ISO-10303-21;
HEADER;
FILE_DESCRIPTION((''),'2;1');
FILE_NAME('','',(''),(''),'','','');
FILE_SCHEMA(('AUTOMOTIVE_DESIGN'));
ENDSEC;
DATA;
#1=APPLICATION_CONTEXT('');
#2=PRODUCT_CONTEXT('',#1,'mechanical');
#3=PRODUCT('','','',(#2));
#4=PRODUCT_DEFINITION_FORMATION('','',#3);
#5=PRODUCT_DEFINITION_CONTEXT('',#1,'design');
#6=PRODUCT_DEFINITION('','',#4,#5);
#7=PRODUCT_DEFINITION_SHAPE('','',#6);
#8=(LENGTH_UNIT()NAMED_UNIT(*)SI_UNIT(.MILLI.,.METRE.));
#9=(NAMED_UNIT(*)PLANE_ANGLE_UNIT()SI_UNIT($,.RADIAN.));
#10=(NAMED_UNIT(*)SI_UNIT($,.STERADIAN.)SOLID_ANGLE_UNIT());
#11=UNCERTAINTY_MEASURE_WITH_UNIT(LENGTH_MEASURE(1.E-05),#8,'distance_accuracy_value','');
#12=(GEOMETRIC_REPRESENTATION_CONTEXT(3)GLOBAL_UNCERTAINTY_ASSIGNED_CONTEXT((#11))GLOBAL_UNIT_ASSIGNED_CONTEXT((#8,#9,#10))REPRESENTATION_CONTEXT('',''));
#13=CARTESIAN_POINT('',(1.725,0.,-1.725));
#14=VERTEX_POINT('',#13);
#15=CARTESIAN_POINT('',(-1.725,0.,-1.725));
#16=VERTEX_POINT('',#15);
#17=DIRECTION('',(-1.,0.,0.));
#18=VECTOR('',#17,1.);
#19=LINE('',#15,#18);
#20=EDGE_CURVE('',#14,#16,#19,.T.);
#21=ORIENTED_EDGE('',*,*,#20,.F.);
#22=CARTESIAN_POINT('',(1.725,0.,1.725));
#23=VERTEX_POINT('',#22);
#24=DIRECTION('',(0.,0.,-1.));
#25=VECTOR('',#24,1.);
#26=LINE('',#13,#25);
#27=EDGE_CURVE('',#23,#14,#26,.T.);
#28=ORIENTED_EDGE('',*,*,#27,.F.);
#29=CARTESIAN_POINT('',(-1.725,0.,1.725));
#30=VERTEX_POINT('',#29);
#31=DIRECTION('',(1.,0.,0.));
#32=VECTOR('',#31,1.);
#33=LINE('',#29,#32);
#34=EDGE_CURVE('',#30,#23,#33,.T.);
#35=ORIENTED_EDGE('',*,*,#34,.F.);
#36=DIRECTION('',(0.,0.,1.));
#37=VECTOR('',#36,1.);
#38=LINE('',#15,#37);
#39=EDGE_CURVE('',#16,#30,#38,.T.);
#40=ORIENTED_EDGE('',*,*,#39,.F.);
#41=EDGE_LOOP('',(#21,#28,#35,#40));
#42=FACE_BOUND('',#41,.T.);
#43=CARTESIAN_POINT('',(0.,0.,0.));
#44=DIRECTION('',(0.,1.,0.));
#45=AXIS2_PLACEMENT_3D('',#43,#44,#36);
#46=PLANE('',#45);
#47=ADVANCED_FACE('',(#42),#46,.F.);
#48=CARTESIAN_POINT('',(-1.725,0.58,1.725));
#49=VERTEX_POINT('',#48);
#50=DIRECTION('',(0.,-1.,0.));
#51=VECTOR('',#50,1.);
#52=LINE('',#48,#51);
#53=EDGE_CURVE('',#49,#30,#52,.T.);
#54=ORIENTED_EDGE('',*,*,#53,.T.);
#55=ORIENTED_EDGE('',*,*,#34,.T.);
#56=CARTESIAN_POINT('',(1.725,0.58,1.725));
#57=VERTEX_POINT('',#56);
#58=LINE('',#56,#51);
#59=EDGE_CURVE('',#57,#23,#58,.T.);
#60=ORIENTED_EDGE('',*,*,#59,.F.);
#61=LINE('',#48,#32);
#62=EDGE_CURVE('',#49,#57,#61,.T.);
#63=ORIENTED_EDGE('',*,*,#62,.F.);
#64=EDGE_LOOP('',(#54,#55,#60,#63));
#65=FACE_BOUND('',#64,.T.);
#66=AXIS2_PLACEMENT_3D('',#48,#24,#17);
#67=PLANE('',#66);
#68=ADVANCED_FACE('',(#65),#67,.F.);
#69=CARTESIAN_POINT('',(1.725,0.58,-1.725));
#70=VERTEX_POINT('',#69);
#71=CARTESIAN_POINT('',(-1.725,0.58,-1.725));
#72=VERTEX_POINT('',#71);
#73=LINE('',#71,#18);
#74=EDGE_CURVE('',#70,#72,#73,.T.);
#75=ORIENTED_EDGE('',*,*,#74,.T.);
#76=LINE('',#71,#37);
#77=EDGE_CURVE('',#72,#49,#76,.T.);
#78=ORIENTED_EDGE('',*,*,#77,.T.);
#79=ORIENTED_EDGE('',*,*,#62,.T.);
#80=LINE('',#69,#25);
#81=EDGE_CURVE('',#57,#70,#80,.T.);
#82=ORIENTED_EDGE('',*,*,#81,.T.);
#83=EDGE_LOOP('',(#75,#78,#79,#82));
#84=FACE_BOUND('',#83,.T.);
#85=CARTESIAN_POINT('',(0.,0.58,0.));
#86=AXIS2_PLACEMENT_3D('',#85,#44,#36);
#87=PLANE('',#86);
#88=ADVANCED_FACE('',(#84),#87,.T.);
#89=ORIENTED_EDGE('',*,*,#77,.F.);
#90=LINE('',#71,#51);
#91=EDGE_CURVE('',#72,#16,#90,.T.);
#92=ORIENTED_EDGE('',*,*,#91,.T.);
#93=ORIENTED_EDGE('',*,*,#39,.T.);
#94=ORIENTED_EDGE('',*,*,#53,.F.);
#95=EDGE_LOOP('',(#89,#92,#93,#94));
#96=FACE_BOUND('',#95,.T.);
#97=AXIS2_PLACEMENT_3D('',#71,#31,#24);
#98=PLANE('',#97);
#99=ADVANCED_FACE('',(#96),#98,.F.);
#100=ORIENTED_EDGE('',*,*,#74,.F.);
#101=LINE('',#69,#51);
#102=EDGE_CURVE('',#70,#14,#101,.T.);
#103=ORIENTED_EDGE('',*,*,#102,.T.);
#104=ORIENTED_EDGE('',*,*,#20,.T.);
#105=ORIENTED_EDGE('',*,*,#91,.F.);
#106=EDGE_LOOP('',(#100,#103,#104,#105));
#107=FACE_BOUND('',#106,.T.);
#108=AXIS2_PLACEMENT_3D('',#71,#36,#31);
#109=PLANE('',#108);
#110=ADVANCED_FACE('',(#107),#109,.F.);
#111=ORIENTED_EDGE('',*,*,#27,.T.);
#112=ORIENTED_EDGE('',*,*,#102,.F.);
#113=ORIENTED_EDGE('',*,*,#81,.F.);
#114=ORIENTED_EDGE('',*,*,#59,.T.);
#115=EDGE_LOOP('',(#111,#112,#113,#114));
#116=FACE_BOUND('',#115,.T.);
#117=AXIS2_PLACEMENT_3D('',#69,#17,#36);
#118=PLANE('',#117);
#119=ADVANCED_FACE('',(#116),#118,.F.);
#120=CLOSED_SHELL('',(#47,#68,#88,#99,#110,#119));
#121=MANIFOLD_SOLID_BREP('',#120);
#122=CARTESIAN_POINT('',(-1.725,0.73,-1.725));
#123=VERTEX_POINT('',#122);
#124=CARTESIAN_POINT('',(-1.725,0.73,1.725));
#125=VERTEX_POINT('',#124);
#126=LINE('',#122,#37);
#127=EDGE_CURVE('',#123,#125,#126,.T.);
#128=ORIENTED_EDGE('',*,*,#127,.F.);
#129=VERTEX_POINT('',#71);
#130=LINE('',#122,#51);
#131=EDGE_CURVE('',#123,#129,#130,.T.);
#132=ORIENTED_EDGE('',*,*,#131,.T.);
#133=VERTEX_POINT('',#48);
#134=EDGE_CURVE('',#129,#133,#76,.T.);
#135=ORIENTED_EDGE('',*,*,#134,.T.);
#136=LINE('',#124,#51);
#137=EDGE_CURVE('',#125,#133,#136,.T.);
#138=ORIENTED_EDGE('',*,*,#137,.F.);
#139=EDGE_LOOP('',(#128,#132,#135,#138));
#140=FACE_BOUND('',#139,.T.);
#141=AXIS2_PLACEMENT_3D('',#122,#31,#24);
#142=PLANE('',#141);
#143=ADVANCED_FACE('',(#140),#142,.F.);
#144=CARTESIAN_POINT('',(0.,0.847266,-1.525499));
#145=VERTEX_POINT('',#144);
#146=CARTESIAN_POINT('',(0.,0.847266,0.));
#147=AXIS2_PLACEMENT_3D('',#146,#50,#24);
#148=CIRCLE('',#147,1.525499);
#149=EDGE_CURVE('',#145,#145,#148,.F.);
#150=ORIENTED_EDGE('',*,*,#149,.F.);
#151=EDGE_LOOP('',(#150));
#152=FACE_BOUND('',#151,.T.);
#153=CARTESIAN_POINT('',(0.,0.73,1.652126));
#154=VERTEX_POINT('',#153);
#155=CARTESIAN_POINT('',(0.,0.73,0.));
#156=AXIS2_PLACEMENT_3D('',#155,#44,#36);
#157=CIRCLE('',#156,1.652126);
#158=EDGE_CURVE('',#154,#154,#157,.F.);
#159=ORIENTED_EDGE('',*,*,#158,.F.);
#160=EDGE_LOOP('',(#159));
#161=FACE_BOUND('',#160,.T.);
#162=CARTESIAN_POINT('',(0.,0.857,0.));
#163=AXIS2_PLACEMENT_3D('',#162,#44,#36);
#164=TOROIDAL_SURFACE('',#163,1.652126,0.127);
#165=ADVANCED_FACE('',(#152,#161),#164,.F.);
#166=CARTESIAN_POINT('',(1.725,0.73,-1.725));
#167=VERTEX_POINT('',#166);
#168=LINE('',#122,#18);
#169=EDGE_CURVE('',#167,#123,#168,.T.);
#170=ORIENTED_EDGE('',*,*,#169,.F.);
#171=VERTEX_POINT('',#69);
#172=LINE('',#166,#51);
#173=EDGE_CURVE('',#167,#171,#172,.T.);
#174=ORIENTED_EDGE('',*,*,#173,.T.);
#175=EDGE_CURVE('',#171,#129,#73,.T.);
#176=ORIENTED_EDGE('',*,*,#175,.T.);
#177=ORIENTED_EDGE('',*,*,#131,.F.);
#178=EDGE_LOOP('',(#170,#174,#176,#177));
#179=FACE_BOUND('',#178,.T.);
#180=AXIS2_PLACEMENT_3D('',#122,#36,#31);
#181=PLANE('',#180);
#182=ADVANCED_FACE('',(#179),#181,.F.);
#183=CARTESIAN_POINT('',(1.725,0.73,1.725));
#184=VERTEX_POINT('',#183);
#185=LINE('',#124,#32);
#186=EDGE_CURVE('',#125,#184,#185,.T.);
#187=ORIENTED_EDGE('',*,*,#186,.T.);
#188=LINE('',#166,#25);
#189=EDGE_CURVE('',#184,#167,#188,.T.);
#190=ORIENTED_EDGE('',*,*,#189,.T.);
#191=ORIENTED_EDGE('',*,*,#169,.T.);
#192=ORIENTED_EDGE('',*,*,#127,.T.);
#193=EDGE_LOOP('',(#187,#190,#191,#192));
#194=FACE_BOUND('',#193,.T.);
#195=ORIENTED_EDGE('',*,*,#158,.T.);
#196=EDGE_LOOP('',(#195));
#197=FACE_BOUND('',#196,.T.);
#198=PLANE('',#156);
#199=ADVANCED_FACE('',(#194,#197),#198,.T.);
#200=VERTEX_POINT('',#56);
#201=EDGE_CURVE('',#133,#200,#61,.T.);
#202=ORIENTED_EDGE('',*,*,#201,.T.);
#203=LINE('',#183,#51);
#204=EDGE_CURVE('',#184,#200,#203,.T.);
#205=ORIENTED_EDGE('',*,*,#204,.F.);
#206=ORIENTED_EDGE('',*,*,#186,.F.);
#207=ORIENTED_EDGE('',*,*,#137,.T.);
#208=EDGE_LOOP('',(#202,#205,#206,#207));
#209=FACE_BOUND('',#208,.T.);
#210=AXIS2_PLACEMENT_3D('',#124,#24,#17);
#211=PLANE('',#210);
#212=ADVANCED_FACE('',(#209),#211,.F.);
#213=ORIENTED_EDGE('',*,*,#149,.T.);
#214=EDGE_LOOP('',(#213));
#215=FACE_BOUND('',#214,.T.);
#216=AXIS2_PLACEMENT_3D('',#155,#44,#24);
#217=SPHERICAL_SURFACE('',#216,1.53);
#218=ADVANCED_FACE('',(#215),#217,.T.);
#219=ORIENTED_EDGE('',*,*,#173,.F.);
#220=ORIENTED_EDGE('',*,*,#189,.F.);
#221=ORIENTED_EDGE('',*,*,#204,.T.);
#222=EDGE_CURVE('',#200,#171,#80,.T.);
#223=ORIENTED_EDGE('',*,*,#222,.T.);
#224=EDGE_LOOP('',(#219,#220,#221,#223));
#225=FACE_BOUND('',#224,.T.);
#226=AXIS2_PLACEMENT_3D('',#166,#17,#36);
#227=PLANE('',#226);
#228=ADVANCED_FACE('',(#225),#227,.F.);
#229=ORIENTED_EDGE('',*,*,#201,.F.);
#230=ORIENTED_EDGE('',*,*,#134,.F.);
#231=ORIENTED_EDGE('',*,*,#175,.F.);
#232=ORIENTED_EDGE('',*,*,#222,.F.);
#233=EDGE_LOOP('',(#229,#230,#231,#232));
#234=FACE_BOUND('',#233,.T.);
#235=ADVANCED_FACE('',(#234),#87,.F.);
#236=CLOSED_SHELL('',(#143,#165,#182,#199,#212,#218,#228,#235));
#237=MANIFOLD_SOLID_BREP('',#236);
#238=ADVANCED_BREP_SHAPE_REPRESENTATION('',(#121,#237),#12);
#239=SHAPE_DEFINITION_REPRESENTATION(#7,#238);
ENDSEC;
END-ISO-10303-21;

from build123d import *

# Parameters (mm, degrees)
SKETCH1_W           = 3.45
SKETCH1_H           = 3.45
BOSS_EXTRUDE1_DEPTH = 0.58
SKETCH2_W           = 3.45
SKETCH2_H           = 3.45
BOSS_EXTRUDE2_DEPTH = 0.15
FILLET1_R           = 0.127


with BuildPart() as part:
    # Sketch1 → Boss-Extrude1 (new body)
    with BuildSketch(Plane(origin=(0, 0, 0), x_dir=(1, 0, 0), z_dir=(0, 1, 0))):
        Rectangle(SKETCH1_W, SKETCH1_H)
    extrude(amount=BOSS_EXTRUDE1_DEPTH)


with BuildPart() as body_2:
    # Sketch2 → Boss-Extrude2 (new body)
    with BuildSketch(Plane(origin=(0, 0.58, 0), x_dir=(1, 0, 0), z_dir=(0, 1, 0))):
        Rectangle(SKETCH2_W, SKETCH2_H)
    extrude(amount=BOSS_EXTRUDE2_DEPTH)

    # Sketch3 → Revolve1 (revolve)
    with BuildSketch(Plane(origin=(0, 0, 0), x_dir=(0, 0, -1), z_dir=(1, 0, 0))):
        with BuildLine():
            Line((0, 0.73), (1.53, 0.73))
            ThreePointArc((1.53, 0.73), (1.081873375, 1.811873375), (0, 2.26))
            Line((0, 2.26), (0, 0.73))
        make_face()
    revolve(axis=Axis((0, 2.26, 0), (0, -1, 0)))

    # Fillet1
    fillet1_edges = [body_2.edges().sort_by_distance(p)[0] for p in [
        (0, 0.73, 1.53),
    ]]
    fillet(fillet1_edges, radius=FILLET1_R)


solid = Compound([part.part, body_2.part])
